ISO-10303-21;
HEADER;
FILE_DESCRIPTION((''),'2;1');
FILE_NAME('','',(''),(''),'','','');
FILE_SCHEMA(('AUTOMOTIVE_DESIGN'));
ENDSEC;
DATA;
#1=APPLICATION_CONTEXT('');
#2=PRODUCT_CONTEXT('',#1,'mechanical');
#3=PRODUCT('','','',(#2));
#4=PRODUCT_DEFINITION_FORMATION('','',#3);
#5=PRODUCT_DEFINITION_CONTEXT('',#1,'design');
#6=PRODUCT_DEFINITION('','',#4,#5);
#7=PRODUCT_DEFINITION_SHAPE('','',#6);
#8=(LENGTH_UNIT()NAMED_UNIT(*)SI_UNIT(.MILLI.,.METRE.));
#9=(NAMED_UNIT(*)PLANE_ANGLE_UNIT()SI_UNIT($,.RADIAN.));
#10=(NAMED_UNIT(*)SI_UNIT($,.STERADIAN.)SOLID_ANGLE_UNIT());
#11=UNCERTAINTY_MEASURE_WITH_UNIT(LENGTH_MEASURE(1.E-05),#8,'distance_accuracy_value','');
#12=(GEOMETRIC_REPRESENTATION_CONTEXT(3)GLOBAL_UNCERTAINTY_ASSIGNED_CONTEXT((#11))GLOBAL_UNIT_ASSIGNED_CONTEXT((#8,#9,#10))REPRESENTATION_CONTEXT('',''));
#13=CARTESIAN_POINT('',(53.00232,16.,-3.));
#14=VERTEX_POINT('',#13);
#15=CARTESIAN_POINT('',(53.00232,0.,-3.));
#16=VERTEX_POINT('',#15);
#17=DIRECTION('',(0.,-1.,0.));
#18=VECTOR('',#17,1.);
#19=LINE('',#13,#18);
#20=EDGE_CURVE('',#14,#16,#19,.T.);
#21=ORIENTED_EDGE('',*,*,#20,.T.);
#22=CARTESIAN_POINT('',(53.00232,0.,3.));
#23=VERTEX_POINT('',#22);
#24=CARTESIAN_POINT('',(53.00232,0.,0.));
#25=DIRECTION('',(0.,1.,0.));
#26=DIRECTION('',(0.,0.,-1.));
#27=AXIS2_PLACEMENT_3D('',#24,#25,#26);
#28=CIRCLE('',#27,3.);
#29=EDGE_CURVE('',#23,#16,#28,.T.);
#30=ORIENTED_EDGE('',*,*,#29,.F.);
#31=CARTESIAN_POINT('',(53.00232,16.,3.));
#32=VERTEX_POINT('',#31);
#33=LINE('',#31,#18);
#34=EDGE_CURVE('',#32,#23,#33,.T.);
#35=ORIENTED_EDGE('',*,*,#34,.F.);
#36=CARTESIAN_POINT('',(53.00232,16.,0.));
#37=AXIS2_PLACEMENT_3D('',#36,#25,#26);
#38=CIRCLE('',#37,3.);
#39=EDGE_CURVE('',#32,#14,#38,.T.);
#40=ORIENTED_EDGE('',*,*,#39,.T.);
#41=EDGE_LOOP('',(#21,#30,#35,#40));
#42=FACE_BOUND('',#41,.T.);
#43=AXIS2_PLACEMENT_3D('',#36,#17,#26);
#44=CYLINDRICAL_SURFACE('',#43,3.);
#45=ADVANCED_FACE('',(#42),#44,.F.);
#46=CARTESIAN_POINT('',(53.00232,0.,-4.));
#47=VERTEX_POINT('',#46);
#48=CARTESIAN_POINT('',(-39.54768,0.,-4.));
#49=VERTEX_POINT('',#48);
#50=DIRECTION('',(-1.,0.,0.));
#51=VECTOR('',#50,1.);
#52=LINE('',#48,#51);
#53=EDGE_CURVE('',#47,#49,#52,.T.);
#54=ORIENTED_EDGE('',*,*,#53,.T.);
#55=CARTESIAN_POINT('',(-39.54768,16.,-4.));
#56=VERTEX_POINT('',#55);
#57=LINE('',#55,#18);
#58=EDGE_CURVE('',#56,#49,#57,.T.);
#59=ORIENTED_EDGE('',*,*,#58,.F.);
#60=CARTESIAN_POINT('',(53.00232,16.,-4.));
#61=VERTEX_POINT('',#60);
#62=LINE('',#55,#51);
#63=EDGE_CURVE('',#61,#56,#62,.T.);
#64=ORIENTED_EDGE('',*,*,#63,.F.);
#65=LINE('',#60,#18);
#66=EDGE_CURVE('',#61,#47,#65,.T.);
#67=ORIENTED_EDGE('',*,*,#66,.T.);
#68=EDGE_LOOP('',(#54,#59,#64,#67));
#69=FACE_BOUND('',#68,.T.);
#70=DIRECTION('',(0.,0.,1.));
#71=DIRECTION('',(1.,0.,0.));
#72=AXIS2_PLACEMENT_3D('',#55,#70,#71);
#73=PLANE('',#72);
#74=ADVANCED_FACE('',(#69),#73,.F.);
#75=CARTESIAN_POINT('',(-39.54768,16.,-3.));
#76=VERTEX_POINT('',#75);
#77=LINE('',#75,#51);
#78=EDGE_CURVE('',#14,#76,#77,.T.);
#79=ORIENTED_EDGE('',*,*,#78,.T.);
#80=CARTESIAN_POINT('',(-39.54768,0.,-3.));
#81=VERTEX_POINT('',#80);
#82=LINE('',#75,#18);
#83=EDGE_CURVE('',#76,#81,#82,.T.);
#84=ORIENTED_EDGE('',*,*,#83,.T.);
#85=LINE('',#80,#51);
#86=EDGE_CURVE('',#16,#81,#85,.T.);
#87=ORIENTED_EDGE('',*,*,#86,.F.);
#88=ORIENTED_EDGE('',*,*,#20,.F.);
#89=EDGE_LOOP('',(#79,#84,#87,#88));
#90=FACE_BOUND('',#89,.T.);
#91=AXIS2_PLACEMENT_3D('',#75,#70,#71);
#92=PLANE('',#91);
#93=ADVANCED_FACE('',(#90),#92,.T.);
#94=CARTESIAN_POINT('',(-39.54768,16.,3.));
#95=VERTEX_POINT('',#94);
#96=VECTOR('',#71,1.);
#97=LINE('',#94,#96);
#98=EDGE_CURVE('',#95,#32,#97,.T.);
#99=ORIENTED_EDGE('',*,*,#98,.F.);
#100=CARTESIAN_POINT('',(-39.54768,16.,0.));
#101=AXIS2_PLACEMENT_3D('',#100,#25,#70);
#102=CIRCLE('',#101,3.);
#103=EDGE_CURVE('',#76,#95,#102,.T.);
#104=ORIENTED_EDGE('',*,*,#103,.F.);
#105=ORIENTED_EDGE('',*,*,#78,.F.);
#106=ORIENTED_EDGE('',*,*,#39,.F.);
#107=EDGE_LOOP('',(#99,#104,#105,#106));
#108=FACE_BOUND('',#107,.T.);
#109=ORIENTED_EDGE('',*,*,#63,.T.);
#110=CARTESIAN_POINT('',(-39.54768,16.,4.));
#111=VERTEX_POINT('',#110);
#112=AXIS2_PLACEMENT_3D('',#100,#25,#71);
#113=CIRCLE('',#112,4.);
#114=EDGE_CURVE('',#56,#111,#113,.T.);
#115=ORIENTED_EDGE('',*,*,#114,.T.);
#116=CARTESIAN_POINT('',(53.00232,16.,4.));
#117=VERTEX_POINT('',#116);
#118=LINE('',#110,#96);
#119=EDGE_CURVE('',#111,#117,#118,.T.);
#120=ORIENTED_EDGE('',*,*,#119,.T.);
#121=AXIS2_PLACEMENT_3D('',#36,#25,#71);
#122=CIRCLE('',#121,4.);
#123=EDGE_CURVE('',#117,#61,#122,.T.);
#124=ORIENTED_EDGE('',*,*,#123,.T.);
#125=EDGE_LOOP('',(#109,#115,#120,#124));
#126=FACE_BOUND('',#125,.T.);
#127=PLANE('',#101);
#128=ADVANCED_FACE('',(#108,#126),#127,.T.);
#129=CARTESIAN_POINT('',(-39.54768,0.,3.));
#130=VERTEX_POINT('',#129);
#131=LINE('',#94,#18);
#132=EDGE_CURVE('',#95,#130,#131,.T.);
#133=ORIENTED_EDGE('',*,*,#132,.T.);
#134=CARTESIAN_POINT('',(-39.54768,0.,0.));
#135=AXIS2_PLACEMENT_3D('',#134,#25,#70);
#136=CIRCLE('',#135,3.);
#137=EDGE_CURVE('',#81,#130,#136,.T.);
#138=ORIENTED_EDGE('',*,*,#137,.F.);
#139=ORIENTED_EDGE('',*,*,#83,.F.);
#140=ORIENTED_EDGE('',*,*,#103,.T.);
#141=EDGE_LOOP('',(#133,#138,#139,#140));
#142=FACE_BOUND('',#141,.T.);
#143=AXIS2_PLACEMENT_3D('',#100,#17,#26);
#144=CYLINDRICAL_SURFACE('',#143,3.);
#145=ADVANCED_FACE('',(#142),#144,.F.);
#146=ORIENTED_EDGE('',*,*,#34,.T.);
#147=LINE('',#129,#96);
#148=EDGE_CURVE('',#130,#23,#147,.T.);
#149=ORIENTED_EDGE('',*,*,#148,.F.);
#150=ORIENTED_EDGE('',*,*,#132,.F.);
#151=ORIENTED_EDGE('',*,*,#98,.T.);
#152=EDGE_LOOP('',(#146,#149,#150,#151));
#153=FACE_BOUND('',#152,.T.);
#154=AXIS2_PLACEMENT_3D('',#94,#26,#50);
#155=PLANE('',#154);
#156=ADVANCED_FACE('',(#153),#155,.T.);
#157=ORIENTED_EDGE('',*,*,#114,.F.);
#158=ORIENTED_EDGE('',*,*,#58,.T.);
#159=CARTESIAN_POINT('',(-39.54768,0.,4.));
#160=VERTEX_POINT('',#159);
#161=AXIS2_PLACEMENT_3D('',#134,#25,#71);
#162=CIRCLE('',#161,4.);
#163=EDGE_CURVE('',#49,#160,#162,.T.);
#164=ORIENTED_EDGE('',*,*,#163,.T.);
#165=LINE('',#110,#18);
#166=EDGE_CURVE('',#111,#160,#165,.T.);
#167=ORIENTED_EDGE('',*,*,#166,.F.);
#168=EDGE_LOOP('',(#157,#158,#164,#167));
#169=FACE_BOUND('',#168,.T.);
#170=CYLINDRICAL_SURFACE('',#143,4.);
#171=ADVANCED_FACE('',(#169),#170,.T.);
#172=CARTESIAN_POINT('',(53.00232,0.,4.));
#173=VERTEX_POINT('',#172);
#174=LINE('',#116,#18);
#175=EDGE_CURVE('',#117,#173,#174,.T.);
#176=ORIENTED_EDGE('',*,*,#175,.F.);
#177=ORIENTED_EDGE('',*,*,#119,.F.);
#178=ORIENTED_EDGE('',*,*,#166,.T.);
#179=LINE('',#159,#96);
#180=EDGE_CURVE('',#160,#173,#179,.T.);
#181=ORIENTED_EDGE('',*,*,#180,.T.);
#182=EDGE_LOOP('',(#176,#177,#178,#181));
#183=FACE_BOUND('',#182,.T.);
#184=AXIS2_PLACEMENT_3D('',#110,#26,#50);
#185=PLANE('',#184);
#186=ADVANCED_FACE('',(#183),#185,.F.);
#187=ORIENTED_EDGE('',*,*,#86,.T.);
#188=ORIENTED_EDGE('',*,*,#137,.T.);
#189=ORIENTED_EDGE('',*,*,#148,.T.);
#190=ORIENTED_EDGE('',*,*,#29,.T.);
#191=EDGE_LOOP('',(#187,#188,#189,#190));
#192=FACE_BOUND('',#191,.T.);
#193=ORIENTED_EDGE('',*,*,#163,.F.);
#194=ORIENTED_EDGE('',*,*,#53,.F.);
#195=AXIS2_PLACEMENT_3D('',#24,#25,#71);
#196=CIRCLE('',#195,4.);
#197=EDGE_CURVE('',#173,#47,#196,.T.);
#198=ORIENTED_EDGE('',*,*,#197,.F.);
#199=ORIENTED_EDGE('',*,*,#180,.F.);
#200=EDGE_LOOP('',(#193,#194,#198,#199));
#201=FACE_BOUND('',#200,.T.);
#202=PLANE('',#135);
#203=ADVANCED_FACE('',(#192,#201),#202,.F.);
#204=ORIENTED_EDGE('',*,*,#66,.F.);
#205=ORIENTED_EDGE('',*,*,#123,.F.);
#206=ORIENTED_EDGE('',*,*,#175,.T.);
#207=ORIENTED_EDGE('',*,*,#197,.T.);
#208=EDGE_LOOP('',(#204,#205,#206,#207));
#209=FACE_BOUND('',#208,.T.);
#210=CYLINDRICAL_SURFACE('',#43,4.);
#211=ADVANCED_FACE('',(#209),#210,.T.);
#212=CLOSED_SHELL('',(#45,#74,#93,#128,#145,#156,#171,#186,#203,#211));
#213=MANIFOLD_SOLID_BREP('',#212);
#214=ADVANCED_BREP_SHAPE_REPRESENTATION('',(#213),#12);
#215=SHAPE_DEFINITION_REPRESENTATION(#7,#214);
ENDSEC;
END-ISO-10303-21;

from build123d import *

# Parameters (mm, degrees)
EXTRUDE_THIN1_DEPTH = 16


with BuildPart() as part:
    # Sketch1 → Extrude-Thin1 (new body)
    with BuildSketch(Plane(origin=(0, 0, 0), x_dir=(1, 0, 0), z_dir=(0, 1, 0))):
        with BuildLine():
            Line((53.002319676, -4), (-39.547680324, -4))
            ThreePointArc((-39.547680324, -4), (-43.547680324, 0), (-39.547680324, 4))
            Line((-39.547680324, 4), (53.002319676, 4))
            ThreePointArc((53.002319676, 4), (57.002319676, 0), (53.002319676, -4))
        make_face()
        with BuildLine():
            Line((53.002319676, -3), (-39.547680324, -3))
            ThreePointArc((-39.547680324, -3), (-42.547680324, 0), (-39.547680324, 3))
            Line((-39.547680324, 3), (53.002319676, 3))
            ThreePointArc((53.002319676, 3), (56.002319676, 0), (53.002319676, -3))
        make_face(mode=Mode.SUBTRACT)
    extrude(amount=EXTRUDE_THIN1_DEPTH)


solid = part.part
